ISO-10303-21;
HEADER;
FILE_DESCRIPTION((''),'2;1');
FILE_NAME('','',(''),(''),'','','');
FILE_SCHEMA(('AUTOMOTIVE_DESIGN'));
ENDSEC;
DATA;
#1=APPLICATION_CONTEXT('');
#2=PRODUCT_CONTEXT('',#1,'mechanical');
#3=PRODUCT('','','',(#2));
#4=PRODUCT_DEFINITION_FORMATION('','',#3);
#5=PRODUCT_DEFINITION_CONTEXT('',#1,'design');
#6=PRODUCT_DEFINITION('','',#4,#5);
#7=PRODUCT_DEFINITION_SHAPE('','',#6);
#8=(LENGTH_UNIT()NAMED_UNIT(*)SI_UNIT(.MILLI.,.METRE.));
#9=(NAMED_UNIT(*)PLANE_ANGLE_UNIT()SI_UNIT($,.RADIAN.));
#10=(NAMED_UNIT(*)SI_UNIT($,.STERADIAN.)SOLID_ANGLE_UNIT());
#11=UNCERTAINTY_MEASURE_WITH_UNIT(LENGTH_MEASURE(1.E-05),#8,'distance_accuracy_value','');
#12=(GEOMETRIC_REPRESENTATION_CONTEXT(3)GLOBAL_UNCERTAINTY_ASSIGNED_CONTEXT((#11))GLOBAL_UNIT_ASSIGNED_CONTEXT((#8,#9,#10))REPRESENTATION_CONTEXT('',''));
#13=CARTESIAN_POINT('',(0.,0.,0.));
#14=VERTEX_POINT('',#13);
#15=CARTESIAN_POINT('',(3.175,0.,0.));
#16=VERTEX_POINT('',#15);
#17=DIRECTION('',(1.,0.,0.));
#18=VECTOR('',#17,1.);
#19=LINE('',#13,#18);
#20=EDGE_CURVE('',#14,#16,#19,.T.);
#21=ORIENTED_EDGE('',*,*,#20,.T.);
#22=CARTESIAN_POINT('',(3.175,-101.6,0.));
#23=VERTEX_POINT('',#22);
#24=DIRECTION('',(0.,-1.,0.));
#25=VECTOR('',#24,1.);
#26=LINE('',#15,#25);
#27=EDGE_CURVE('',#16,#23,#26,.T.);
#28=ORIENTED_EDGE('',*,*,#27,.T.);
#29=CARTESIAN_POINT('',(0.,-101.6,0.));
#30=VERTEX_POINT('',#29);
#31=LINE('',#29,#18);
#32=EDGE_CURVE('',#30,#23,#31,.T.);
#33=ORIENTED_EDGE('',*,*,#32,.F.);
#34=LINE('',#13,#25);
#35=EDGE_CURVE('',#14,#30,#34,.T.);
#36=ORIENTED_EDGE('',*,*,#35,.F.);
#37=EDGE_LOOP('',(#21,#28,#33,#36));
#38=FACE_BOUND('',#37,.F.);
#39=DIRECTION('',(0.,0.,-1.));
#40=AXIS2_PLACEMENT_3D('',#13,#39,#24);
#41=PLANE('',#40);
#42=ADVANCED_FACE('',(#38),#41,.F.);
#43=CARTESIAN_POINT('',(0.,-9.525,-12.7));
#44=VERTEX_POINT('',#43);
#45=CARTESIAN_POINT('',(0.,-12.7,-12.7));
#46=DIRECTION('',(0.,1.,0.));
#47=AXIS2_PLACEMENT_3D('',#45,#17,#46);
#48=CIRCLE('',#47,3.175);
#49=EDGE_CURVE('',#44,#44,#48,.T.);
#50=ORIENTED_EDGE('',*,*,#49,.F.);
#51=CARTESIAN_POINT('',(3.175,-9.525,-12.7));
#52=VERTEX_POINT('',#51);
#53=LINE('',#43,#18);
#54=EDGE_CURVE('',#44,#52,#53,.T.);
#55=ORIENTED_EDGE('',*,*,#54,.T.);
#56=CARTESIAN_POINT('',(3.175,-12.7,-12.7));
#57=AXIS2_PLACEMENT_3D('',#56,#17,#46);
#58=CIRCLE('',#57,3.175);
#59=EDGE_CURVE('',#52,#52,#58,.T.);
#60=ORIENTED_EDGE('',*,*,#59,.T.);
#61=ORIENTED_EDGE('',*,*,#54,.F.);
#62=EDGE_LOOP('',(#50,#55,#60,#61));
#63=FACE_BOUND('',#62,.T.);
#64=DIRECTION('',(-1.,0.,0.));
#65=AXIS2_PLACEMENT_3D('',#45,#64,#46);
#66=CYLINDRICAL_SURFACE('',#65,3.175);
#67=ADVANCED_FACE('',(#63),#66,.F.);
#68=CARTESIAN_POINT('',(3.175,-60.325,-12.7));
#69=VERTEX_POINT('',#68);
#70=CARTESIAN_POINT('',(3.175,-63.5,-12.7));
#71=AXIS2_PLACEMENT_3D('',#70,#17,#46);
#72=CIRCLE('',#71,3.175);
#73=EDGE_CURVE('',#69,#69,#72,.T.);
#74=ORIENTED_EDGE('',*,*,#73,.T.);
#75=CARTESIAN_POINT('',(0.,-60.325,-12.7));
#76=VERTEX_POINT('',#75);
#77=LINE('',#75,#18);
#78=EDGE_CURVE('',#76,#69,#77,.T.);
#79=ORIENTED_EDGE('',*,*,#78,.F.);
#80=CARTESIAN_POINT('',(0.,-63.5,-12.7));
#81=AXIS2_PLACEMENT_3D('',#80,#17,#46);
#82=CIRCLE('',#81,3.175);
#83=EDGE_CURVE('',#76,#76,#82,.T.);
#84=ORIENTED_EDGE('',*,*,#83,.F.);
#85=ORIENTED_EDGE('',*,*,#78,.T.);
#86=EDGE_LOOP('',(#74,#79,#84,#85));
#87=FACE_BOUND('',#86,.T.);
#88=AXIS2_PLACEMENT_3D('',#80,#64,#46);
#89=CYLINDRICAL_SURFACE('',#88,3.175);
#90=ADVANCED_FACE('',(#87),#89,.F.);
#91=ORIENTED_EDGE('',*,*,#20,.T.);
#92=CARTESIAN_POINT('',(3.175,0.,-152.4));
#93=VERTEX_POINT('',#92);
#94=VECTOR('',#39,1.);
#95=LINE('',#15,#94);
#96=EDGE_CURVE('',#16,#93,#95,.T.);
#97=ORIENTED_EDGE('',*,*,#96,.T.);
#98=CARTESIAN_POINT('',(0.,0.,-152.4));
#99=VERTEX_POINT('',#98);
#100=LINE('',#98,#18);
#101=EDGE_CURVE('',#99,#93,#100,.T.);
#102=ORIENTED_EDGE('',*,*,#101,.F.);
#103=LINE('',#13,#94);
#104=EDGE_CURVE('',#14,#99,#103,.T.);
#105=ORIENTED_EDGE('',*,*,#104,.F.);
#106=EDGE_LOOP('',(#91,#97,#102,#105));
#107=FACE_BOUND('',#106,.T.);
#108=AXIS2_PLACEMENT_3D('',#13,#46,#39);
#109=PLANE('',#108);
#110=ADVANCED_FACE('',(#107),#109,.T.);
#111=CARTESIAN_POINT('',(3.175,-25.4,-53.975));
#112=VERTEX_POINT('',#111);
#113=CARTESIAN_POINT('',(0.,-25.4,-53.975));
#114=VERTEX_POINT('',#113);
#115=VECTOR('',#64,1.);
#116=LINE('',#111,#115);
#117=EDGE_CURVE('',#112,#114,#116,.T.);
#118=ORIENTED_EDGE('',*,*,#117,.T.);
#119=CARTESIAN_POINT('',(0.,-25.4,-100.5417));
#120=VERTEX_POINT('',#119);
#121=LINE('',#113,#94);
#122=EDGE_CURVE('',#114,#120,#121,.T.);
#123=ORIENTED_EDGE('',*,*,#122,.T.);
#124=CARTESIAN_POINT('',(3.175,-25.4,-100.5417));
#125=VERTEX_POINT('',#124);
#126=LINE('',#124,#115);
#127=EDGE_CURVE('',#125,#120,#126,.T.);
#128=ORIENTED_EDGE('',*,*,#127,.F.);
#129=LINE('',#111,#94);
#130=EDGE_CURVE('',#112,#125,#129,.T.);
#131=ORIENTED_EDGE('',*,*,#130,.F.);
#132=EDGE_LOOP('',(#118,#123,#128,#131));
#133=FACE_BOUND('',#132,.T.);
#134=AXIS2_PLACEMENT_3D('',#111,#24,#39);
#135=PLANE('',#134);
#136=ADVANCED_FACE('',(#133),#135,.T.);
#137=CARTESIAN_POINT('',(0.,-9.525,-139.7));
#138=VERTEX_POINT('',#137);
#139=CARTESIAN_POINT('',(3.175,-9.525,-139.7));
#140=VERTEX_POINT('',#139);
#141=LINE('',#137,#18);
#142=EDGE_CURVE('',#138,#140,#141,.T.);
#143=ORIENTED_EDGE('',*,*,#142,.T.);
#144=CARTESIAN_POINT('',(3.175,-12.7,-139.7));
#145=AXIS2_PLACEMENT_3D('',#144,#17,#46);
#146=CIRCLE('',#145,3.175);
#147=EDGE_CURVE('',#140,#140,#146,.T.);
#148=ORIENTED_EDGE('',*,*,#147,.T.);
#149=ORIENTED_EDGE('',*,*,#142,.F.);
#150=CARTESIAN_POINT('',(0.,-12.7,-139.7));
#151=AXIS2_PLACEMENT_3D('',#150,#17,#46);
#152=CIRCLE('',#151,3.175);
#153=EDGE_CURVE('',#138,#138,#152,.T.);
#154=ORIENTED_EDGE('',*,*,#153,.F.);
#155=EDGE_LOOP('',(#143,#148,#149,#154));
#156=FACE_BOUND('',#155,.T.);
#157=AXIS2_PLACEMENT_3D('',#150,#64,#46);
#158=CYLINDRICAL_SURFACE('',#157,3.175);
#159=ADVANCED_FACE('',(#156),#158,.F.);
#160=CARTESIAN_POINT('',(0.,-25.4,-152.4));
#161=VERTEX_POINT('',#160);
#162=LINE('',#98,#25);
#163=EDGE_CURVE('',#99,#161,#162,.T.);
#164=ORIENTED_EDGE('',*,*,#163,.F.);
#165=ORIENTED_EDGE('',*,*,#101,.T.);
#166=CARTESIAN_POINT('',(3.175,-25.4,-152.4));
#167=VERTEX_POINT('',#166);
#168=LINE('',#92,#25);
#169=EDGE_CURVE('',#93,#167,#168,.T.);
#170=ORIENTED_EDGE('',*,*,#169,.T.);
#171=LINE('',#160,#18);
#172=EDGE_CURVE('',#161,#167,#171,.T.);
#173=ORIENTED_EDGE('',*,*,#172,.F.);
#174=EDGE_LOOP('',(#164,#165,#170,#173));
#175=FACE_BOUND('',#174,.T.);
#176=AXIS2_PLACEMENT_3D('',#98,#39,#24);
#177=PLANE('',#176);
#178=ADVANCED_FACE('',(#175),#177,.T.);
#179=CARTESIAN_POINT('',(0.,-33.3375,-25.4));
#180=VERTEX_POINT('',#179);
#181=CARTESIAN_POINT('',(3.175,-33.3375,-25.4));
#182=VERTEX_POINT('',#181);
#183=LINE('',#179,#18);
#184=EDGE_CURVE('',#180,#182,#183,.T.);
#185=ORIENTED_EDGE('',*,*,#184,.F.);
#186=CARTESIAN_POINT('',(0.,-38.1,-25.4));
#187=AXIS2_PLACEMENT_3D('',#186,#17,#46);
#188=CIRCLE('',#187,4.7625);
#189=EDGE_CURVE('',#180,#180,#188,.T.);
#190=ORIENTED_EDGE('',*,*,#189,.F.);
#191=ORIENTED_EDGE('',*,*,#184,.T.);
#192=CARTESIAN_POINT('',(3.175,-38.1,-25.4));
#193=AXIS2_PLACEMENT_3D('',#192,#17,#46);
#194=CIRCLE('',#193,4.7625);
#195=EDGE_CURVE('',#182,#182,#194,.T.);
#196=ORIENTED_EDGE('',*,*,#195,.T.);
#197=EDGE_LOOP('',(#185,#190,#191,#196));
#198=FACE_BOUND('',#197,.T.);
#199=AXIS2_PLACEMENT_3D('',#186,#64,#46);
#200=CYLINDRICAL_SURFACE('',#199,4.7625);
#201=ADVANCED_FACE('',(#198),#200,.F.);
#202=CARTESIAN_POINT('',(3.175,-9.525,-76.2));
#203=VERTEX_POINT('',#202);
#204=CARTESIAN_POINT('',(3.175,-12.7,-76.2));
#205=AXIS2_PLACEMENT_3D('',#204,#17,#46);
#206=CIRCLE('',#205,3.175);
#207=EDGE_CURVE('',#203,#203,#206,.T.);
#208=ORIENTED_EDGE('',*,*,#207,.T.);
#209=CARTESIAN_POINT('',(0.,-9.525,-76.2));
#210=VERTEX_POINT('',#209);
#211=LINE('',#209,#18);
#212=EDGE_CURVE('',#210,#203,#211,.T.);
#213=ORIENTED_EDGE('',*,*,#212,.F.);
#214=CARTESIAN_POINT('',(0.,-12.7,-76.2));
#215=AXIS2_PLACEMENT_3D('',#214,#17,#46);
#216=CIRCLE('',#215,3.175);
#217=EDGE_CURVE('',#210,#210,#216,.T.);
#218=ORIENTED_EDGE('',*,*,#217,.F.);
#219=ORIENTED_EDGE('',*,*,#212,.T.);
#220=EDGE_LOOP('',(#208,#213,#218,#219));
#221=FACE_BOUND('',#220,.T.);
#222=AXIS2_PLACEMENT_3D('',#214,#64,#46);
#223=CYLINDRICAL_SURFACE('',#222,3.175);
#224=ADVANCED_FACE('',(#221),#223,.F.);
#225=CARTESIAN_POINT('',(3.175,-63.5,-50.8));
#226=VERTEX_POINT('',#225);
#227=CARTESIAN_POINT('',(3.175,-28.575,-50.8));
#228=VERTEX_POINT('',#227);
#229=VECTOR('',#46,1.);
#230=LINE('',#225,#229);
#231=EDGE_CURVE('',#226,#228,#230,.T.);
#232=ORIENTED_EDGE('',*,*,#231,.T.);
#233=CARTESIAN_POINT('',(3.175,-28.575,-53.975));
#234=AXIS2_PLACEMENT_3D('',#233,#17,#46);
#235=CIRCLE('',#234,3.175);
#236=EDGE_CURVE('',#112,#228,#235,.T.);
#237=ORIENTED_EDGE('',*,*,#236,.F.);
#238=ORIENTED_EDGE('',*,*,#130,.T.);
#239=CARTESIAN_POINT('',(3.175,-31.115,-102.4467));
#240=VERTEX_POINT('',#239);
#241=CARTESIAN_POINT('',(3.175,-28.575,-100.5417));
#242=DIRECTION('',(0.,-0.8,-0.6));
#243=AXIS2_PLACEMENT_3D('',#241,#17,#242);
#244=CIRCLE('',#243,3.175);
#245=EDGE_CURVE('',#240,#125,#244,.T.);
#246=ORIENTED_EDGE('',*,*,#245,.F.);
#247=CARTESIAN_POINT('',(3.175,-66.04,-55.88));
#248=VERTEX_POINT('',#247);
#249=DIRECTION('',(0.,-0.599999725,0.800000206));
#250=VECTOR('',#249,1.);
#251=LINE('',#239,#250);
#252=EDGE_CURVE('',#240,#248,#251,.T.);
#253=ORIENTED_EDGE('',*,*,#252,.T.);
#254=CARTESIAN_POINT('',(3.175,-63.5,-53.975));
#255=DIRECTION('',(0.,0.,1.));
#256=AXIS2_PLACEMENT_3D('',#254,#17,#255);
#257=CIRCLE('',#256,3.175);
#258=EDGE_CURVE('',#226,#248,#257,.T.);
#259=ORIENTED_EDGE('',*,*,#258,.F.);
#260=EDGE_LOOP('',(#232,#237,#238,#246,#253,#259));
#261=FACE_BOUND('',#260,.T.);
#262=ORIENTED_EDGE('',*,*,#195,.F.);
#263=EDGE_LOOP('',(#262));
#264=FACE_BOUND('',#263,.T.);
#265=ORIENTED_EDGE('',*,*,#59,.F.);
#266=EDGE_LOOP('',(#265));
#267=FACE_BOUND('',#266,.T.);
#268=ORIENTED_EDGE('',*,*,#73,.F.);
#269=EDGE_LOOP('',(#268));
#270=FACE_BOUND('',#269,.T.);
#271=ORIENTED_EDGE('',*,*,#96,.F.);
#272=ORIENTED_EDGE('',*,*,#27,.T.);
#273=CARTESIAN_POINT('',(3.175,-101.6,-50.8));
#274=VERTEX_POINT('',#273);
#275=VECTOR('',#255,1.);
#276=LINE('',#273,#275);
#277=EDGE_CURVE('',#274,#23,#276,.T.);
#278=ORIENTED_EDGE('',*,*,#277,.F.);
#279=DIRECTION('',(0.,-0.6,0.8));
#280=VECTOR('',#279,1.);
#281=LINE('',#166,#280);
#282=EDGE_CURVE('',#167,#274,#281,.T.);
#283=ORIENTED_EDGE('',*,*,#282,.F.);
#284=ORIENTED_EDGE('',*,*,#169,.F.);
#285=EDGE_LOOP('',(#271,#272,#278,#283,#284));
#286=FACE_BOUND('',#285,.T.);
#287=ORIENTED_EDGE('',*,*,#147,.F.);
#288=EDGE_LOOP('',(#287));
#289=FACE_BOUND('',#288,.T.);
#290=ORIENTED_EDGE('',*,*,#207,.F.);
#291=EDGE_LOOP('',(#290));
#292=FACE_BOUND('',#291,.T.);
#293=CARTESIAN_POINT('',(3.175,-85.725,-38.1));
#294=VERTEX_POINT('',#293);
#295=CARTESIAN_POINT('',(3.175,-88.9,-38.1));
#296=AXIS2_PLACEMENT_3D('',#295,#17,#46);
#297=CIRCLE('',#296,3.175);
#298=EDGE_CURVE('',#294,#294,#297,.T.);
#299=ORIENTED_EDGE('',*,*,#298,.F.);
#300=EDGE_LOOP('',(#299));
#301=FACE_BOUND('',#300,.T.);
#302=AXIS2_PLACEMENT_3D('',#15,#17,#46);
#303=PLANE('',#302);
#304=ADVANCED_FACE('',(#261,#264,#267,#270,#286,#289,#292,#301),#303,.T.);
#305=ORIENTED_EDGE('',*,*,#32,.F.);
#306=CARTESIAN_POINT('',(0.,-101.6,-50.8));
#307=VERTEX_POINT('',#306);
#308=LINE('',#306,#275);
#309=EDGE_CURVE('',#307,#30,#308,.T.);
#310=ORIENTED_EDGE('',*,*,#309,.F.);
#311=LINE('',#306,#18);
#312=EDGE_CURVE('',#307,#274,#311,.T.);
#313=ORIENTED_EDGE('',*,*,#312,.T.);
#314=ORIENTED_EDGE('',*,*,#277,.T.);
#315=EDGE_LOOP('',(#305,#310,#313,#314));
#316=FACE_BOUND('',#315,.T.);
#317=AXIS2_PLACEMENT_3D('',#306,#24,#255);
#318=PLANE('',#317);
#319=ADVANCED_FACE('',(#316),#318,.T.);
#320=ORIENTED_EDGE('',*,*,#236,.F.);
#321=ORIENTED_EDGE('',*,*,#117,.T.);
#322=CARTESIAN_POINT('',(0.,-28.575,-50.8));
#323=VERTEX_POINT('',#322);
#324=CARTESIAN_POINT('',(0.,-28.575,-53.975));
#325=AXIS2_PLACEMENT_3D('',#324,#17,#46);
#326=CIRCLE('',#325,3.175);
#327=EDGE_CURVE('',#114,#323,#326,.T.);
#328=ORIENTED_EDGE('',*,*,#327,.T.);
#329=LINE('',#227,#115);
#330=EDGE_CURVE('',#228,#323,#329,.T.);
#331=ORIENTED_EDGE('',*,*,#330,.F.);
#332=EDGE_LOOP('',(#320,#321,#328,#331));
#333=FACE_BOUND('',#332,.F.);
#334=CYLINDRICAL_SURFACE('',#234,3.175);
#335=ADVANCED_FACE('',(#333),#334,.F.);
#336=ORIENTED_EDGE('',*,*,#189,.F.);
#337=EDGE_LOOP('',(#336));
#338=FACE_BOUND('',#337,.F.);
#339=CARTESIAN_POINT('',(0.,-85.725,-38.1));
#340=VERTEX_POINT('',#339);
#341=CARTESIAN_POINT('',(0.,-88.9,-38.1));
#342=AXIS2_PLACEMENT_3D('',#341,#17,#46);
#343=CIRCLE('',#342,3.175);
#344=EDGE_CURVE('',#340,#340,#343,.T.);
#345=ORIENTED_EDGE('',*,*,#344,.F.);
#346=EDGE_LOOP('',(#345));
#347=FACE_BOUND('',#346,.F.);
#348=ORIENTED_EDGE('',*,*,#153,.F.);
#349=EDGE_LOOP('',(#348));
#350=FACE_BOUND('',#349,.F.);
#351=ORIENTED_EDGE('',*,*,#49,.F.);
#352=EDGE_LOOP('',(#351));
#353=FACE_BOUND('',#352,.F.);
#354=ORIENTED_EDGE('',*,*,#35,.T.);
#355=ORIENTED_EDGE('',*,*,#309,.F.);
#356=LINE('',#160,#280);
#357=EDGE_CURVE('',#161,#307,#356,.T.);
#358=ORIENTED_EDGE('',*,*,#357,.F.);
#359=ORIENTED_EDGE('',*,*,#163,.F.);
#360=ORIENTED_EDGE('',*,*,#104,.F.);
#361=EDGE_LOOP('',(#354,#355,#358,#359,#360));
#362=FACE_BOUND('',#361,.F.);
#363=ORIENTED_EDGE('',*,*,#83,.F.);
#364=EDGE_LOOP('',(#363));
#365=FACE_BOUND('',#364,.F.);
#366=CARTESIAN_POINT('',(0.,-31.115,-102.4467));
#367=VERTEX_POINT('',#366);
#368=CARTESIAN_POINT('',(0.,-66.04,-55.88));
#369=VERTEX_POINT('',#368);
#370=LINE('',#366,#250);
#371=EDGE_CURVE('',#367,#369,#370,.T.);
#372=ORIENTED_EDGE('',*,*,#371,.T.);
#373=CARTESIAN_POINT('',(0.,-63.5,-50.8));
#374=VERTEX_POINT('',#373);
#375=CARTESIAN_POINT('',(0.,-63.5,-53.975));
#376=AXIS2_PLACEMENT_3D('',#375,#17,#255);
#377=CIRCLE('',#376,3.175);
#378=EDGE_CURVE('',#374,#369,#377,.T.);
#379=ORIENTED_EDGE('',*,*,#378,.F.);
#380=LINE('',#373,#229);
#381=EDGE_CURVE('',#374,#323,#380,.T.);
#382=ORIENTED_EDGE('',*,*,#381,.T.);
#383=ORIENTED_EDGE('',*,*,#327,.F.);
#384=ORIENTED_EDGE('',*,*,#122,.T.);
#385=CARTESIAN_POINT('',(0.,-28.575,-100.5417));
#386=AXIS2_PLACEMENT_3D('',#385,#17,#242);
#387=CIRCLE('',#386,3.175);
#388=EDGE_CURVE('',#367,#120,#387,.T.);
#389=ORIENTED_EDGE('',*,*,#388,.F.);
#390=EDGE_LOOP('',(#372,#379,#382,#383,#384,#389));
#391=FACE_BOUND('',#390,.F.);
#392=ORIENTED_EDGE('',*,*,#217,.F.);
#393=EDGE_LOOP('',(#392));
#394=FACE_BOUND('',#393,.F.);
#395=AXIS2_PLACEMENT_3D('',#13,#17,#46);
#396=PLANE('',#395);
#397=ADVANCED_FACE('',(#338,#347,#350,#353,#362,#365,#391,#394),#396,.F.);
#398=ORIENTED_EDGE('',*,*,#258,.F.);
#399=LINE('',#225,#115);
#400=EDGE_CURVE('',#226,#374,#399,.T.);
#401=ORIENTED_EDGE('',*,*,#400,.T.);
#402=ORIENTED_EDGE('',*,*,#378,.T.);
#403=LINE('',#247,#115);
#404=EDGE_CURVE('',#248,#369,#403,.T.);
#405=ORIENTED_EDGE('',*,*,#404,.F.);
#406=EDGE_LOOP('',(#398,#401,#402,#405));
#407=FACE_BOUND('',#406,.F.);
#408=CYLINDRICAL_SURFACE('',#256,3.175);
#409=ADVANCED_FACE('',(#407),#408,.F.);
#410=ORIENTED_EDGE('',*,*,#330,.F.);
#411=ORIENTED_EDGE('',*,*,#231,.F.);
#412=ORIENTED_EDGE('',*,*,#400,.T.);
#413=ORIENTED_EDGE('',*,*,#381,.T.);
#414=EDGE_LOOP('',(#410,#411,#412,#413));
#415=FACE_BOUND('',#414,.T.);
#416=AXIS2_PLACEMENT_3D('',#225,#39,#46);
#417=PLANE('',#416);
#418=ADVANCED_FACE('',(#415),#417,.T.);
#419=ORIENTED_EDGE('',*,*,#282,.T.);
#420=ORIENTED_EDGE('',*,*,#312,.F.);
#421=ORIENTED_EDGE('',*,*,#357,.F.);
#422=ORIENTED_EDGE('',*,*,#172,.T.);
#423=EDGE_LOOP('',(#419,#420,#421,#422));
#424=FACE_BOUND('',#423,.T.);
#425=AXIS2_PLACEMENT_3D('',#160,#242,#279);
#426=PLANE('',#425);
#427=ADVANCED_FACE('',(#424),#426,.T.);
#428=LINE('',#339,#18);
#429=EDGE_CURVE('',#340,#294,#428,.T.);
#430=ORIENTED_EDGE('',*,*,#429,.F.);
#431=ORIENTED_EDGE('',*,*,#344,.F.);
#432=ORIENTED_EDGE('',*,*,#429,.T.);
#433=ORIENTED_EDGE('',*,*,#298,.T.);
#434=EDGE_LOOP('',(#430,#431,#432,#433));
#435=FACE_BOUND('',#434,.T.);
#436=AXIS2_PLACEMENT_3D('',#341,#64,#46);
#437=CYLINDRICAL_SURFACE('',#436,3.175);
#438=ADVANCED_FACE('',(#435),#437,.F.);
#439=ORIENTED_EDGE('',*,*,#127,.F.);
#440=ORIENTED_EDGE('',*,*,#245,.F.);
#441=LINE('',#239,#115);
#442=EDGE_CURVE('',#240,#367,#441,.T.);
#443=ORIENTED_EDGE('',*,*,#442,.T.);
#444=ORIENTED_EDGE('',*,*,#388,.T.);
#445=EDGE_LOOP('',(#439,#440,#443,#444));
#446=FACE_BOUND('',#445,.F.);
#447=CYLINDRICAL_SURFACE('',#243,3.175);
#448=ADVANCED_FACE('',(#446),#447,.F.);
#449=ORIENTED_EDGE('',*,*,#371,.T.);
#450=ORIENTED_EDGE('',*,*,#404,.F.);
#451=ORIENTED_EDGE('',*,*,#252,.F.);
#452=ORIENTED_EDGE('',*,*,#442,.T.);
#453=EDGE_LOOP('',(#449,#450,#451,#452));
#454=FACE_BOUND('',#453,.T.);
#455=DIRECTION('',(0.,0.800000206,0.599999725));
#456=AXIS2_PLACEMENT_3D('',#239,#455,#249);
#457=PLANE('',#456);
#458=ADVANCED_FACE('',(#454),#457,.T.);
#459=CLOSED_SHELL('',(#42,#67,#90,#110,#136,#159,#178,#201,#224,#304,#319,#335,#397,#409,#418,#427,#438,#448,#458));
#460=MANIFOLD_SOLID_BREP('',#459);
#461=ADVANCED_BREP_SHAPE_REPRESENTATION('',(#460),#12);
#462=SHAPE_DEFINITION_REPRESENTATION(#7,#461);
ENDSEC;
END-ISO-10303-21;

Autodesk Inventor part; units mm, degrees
ref_plane "YZ Plane" through (0, 0, 0) normal (1, 0, 0) x (0, 1, 0)
ref_plane "XZ Plane" through (0, 0, 0) normal (0, 1, 0) x (-1, 0, 0)
ref_plane "XY Plane" through (0, 0, 0) normal (0, 0, 1) x (1, 0, 0)
sketch "Sketch1" plane through (0, 0, 0) normal (1, 0, 0) x (0, 1, 0)
  line L0 (0, 0) -> (0, -152.4)
  line L1 (0, -152.4) -> (-25.4, -152.4)
  line L2 (-25.4, -152.4) -> (-101.6, -50.8)
  line L3 (-101.6, -50.8) -> (-101.6, 0)
  circle A0 centre (-63.5, -12.7) radius 3.175
  circle A1 centre (-12.7, -12.7) radius 3.175
  circle A2 centre (-12.7, -76.2) radius 3.175
  circle A3 centre (-12.7, -139.7) radius 3.175
  line L4 (-12.7, 0) -> (-12.7, -152.4) construction
  line L5 (0, -12.7) -> (-101.6, -12.7) construction
  circle A4 centre (-88.9, -38.1) radius 3.175
  circle A5 centre (-38.1, -25.4) radius 4.7625
  line L6 (0, 0) -> (-101.6, 0)
  dimension "d0" = 50.8
  dimension "d1" = 25.4
  dimension "d2" = 101.6
  dimension "d3" = 152.4
  dimension "d4" = 63.5
  dimension "d5" = 63.5
  dimension "d6" = 12.7
  dimension "d8" = 50.8
  dimension "d10" = 12.7
  dimension "d11" = 12.7
  dimension "d13" = 9.525
  dimension "d15" = 6.35
  dimension "d24" = 90
  dimension "d25" = 12.7
  dimension "d26" = 25.4
  dimension "d27" = 152.4
  dimension "d29" = 63.5
extrude "Extrusion1" add sketch "Sketch1" along normal blind 3.175
sketch "Sketch2" plane through (3.175, 0, 0) normal (1, 0, 0) x (0, 0, -1)
  line L0 (50.8, -63.5) -> (50.8, -28.575)
  line L1 (53.975, -25.4) -> (100.5417, -25.4)
  line L2 (102.4467, -31.115) -> (55.88, -66.04)
  line L3 (152.4, 0) -> (0, 0) projected
  line L4 (0, 0) -> (0, -101.6) projected
  line L5 (50.8, -101.6) -> (152.4, -25.4) projected
  arc A0 (50.8, -63.5) -> (55.88, -66.04) centre (53.975, -63.5) ccw
  arc A1 (53.975, -25.4) -> (50.8, -28.575) centre (53.975, -28.575) ccw
  arc A2 (102.4467, -31.115) -> (100.5417, -25.4) centre (100.5417, -28.575) ccw
  line L6 (0, 0) -> (0, -101.6) projected
  dimension "d18" = 25.4
  dimension "d19" = 25.4
  dimension "d21" = 3.175
  dimension "d28" = 50.8
extrude "Extrusion2" cut sketch "Sketch2" against normal blind 3.175
properties part number "15102898-16-P-0205" material "Aluminum 6061"
